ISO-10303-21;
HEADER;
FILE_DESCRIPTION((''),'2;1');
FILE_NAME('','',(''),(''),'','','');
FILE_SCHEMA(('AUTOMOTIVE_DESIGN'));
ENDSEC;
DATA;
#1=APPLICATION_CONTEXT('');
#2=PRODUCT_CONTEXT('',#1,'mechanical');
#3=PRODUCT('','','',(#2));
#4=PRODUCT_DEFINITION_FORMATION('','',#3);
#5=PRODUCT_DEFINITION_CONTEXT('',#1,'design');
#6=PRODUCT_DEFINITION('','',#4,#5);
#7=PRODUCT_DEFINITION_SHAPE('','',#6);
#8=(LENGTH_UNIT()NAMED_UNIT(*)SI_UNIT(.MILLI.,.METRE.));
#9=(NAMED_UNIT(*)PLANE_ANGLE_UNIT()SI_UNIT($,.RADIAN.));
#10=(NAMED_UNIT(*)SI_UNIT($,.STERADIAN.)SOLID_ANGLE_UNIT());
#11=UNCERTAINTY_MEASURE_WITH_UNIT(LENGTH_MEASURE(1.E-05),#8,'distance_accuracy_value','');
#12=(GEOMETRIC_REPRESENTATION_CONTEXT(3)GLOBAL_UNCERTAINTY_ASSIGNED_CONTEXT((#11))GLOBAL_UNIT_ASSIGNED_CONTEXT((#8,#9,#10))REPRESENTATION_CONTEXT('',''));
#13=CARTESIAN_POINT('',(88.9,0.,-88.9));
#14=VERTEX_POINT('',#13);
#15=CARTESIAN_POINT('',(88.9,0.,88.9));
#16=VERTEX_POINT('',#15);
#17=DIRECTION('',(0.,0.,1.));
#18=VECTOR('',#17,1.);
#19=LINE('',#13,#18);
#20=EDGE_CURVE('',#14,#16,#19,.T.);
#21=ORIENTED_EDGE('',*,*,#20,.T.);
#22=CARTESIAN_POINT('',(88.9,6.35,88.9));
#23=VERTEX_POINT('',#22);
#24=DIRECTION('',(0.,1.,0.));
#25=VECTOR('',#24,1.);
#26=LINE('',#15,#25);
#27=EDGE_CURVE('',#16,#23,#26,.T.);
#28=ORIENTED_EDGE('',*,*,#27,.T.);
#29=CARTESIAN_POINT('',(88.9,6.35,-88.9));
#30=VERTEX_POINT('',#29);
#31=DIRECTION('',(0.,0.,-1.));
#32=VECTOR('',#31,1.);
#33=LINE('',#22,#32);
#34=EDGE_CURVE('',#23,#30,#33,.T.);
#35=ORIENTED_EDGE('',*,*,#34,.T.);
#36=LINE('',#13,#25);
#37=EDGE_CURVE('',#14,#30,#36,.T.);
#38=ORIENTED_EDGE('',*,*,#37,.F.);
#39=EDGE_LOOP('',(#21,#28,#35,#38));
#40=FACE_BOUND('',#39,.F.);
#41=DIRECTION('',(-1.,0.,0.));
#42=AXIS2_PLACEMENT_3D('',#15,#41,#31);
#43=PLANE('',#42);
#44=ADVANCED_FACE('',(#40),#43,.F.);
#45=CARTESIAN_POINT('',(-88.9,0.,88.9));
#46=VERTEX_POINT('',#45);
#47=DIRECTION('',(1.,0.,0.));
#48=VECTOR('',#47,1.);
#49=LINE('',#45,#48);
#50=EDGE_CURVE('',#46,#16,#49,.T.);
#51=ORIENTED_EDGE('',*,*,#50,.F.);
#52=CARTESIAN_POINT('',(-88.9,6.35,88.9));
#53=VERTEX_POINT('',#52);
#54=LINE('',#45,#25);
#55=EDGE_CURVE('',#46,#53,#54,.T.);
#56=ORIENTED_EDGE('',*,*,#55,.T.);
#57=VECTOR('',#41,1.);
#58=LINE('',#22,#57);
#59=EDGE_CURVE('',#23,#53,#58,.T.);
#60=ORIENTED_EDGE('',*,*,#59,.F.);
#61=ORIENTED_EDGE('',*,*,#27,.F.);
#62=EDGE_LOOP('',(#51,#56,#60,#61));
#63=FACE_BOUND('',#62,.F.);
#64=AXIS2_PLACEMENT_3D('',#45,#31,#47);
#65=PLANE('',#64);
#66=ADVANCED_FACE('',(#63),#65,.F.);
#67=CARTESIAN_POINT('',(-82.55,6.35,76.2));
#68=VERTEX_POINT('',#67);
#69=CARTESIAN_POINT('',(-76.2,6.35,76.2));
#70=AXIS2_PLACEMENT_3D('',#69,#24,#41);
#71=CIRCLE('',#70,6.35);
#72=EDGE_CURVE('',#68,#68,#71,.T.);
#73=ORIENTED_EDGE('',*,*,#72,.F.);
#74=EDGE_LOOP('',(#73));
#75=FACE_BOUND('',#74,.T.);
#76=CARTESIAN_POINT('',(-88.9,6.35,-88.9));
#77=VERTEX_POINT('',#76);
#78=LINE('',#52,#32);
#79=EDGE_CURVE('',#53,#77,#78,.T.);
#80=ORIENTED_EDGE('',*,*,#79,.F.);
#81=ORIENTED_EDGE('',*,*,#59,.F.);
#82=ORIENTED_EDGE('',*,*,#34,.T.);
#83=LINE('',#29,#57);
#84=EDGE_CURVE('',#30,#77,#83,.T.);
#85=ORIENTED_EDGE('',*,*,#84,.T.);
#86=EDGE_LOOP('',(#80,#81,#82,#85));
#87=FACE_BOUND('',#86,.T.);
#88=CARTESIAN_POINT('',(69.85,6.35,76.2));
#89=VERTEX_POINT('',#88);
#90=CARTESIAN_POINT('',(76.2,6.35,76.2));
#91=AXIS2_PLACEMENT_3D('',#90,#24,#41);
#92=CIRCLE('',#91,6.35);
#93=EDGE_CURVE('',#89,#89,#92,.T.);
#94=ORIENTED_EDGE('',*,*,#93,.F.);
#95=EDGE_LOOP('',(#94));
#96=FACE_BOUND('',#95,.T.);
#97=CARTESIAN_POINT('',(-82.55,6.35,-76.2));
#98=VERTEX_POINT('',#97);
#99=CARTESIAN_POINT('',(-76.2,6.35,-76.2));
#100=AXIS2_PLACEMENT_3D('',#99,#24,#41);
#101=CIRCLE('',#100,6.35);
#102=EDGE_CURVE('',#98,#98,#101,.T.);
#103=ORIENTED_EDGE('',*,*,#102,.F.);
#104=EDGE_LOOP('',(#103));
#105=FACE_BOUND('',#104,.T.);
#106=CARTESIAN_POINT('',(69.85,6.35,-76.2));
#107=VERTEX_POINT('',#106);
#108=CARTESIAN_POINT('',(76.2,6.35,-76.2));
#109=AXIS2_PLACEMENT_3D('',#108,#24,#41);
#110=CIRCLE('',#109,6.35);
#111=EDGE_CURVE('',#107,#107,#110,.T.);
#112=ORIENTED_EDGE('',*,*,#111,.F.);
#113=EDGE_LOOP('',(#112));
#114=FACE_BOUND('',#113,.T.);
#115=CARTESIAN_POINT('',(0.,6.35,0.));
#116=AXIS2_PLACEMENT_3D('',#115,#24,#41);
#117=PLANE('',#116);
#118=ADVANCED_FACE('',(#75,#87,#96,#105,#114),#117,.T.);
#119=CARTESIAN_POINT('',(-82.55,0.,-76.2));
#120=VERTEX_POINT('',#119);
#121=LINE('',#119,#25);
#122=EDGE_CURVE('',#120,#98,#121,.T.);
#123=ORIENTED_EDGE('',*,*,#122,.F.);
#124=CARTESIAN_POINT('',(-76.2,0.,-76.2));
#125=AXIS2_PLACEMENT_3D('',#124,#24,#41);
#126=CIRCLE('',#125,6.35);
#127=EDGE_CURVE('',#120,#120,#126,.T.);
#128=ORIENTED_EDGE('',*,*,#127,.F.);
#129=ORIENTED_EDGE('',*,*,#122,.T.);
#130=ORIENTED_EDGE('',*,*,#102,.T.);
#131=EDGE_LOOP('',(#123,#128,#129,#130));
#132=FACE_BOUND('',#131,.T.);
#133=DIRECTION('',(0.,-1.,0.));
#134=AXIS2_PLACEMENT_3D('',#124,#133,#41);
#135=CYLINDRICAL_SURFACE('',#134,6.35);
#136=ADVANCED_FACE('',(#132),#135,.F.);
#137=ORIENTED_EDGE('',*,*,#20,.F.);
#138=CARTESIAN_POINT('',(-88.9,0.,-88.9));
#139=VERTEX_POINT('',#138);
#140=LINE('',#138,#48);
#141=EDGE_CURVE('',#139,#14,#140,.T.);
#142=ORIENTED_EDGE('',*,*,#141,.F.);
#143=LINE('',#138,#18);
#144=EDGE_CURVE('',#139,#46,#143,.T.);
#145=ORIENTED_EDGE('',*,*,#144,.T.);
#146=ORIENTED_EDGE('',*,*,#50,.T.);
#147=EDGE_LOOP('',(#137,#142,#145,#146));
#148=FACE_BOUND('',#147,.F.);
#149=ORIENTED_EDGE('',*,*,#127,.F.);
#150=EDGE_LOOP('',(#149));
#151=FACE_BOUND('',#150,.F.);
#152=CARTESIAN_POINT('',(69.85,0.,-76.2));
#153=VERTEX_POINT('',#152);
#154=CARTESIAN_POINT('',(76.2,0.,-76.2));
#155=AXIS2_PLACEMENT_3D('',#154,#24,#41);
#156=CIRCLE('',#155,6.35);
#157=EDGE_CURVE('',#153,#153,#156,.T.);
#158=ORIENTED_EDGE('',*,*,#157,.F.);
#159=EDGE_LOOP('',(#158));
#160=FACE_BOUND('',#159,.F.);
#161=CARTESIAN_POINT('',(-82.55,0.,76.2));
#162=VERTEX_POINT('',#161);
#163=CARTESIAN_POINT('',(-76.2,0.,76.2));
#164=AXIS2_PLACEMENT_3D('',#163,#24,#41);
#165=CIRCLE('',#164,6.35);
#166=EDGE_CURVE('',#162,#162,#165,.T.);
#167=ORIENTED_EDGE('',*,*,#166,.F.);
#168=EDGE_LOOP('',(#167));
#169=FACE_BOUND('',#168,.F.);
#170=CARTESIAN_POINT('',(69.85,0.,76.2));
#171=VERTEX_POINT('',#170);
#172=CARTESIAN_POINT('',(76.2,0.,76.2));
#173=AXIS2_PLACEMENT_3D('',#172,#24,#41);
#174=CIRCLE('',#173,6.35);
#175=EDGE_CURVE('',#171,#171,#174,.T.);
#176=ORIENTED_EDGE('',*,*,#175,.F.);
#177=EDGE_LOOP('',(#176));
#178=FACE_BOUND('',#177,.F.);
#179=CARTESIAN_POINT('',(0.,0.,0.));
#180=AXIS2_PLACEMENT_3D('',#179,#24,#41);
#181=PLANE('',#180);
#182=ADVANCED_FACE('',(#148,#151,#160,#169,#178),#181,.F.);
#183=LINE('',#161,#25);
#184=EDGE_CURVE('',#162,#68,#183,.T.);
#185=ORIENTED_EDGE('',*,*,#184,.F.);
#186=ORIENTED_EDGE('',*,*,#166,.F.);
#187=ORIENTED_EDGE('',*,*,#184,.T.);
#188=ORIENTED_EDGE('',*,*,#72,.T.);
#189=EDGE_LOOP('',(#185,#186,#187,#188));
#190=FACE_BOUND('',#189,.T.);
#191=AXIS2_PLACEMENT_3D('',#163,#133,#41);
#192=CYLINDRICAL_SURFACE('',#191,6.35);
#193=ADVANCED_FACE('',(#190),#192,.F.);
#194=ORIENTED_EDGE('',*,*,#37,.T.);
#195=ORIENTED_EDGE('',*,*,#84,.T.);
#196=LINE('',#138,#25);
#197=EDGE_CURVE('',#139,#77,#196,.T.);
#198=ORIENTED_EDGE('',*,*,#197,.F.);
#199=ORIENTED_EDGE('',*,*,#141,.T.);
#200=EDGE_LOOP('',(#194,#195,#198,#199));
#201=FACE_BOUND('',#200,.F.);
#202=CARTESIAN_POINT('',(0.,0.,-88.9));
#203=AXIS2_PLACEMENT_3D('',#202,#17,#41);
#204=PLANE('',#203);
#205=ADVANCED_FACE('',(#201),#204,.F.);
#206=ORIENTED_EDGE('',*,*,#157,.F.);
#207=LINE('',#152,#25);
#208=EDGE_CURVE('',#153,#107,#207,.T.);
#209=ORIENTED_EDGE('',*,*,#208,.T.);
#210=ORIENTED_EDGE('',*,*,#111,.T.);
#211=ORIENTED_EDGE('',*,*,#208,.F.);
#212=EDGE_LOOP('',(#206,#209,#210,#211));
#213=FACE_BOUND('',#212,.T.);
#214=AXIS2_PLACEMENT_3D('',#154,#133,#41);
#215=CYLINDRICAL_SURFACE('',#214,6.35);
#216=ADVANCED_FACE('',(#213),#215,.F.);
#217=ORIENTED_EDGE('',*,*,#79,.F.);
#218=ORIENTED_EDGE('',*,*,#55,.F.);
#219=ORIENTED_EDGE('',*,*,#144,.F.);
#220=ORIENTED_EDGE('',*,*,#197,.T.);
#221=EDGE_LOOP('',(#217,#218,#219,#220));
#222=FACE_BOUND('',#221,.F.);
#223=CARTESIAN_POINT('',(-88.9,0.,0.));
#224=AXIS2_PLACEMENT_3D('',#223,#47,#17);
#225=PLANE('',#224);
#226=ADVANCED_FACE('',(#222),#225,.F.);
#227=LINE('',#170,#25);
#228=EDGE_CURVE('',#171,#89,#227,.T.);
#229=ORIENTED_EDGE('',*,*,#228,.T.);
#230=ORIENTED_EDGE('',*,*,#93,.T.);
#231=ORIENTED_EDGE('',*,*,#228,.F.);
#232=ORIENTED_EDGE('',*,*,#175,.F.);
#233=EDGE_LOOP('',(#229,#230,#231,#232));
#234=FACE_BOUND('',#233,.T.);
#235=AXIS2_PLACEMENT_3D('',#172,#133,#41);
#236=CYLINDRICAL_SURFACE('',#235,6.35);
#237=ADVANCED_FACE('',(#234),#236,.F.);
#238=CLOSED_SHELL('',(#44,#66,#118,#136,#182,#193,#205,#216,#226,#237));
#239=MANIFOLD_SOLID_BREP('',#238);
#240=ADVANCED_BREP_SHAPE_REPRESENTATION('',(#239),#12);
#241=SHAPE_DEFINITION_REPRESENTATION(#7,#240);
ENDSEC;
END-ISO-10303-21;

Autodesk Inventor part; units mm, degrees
ref_plane "YZ Plane" through (0, 0, 0) normal (1, 0, 0) x (0, 1, 0)
ref_plane "XZ Plane" through (0, 0, 0) normal (0, 1, 0) x (-1, 0, 0)
ref_plane "XY Plane" through (0, 0, 0) normal (0, 0, 1) x (1, 0, 0)
sketch "Sketch1" plane through (0, 0, 0) normal (0, 1, 0) x (-1, 0, 0)
  line L0 (88.9, 88.9) -> (-88.9, 88.9)
  line L1 (-88.9, 88.9) -> (-88.9, -88.9)
  line L2 (-88.9, -88.9) -> (88.9, -88.9)
  line L3 (88.9, -88.9) -> (88.9, 88.9)
  line L4 (0, -124.46) -> (0, 124.46) projected
  line L5 (-124.46, 0) -> (124.46, 0) projected
  circle A0 centre (76.2, 76.2) radius 6.35
  circle A1 centre (-76.2, 76.2) radius 6.35
  circle A2 centre (-76.2, -76.2) radius 6.35
  circle A3 centre (76.2, -76.2) radius 6.35
  point P0 (0, 0)
  dimension "d0" = 177.8
  dimension "d1" = 177.8
  dimension "d4" = 12.7
  dimension "d5" = 12.7
  dimension "d6" = 12.7
  dimension "d9" = 360
extrude "Extrusion1" add sketch "Sketch1" along normal blind 6.35
properties part number "Compact Electric Board"
